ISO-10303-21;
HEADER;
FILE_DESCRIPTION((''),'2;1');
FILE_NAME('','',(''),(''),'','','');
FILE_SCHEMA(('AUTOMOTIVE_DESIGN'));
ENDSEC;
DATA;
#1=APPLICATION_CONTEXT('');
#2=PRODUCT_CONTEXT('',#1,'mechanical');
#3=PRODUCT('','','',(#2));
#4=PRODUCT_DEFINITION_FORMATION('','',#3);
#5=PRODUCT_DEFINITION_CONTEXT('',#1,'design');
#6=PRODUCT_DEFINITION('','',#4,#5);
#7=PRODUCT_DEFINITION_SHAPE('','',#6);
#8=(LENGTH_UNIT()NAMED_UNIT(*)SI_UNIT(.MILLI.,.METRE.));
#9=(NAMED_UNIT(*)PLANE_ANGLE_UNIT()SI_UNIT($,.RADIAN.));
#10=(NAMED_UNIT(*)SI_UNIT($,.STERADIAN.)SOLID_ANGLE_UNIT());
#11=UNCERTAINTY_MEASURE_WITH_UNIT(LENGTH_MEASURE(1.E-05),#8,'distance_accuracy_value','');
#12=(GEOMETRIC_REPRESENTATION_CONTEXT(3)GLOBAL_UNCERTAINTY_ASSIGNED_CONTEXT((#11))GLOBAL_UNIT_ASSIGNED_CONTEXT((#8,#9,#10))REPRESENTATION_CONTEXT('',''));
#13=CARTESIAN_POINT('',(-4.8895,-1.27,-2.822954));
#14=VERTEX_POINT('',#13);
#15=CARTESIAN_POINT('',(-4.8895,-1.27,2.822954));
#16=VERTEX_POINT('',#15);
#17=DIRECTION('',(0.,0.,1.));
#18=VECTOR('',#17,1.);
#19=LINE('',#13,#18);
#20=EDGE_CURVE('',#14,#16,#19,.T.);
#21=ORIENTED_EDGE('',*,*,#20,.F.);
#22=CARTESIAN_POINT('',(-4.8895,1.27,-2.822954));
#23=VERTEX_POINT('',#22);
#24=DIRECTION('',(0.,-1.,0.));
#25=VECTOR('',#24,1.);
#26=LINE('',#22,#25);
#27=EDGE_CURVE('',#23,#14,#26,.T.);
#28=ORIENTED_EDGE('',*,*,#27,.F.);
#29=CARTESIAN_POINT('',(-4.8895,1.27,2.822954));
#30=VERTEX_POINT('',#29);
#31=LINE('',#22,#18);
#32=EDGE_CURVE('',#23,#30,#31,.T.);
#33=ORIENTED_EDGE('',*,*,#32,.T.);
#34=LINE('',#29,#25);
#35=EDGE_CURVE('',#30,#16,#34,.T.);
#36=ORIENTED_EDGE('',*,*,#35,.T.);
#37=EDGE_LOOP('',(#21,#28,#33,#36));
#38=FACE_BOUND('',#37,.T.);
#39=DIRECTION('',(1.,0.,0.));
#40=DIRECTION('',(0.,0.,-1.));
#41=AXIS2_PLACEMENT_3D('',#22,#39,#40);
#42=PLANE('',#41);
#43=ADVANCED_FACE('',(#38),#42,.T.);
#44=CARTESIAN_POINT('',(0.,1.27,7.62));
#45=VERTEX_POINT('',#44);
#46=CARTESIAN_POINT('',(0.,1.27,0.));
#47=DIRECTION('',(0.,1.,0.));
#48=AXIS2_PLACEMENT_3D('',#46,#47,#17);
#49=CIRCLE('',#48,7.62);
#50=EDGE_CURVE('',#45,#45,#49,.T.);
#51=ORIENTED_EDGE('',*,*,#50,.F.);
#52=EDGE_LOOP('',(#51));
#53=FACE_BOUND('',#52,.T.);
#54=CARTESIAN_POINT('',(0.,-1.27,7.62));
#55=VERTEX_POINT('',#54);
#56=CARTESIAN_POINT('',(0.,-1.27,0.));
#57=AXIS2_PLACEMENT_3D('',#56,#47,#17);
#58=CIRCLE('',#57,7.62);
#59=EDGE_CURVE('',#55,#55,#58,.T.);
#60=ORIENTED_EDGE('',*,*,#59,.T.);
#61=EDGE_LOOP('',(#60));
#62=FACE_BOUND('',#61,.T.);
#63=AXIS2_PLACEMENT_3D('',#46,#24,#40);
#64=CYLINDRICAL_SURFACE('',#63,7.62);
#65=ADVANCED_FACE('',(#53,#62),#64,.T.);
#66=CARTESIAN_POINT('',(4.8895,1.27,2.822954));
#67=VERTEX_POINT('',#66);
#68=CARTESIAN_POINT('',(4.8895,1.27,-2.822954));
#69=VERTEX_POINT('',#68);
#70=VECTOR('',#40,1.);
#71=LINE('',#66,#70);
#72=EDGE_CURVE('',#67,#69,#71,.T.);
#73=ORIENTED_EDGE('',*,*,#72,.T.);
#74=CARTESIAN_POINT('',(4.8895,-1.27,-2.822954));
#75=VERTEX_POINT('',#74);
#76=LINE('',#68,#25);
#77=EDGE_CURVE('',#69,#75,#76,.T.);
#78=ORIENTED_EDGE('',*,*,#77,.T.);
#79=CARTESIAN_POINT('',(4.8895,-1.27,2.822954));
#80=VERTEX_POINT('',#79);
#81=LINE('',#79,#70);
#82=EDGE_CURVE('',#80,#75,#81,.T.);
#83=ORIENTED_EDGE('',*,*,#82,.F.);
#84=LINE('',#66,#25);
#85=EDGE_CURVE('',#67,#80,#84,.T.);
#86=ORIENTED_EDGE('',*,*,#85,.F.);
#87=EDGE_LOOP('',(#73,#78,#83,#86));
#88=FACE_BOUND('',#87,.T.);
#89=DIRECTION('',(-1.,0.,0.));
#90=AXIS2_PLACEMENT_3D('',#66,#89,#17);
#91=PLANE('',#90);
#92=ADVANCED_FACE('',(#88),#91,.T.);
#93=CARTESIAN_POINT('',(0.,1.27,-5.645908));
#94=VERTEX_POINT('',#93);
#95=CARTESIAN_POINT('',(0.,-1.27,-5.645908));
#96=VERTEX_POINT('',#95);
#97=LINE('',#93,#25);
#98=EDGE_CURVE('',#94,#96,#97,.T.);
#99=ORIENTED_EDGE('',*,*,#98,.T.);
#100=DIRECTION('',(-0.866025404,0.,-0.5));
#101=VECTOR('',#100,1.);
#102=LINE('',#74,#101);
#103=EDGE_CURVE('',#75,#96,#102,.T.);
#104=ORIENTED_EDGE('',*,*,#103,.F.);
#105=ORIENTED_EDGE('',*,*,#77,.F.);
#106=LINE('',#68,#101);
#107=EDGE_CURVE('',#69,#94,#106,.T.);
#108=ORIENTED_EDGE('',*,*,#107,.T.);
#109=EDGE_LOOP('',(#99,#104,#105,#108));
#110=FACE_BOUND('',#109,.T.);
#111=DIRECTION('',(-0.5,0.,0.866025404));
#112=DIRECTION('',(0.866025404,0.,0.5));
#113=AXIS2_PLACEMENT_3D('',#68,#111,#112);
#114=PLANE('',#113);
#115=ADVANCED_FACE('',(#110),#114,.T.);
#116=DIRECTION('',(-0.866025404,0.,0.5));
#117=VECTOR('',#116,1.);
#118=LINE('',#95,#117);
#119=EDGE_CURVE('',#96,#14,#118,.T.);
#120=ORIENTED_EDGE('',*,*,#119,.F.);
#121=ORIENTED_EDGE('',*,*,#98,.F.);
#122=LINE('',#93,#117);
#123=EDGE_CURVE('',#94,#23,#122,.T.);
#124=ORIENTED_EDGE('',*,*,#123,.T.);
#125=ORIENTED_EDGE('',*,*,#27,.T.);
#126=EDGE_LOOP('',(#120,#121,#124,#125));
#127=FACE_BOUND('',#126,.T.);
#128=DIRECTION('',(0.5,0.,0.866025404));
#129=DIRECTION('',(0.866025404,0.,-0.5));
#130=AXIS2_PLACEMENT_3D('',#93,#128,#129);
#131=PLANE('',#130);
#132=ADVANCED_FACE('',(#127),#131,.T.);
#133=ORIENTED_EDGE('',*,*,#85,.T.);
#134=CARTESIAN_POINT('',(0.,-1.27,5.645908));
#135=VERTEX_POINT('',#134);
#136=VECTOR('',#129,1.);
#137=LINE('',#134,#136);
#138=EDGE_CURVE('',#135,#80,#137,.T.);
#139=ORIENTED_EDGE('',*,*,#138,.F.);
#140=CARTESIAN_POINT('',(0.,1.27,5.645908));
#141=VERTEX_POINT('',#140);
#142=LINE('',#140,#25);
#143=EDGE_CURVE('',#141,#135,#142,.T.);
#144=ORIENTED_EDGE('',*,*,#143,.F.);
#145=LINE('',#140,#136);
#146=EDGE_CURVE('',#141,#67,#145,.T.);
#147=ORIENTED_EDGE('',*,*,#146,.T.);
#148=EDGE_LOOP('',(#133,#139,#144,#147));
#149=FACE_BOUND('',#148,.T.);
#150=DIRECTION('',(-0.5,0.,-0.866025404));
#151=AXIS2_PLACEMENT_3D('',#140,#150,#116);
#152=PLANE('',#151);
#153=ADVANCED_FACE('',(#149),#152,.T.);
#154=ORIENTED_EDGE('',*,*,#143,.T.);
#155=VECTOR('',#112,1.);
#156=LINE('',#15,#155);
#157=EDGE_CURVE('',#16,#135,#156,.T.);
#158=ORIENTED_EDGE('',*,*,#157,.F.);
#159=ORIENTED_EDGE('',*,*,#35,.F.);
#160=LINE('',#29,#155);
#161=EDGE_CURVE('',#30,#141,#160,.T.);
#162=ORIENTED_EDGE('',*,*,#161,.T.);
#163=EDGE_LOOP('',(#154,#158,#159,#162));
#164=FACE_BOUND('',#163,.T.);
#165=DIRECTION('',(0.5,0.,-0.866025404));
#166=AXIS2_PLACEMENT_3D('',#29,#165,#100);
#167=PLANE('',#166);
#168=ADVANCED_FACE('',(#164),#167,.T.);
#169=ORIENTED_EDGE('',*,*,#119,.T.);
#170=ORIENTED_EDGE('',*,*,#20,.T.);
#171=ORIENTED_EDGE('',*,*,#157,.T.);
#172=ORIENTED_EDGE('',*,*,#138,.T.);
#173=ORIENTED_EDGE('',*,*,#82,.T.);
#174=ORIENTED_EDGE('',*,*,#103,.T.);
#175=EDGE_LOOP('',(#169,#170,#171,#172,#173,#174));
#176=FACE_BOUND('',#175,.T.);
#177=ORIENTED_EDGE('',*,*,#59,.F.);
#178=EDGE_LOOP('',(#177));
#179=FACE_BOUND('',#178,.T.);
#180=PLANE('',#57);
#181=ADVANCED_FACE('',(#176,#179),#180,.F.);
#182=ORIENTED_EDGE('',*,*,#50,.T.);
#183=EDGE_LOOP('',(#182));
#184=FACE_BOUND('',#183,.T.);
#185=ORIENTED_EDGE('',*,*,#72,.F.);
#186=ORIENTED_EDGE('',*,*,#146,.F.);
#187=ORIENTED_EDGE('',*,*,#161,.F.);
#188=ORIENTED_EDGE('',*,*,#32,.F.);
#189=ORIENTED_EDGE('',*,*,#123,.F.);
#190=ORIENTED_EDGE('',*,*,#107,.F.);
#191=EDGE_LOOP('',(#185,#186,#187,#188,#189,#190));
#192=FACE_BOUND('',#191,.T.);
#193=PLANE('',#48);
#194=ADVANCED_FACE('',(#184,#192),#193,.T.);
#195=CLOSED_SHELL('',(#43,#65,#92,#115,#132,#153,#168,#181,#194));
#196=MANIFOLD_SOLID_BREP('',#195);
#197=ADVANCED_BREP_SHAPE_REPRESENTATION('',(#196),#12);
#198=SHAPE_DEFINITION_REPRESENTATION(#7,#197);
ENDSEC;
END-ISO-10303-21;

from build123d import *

# Parameters (mm, degrees)
SKETCH1_R           = 7.62
BOSS_EXTRUDE1_DEPTH = 1.27


with BuildPart() as part:
    # Sketch1 → Boss-Extrude1 (new body, symmetric)
    with BuildSketch(Plane(origin=(0, 0, 0), x_dir=(1, 0, 0), z_dir=(0, 1, 0))):
        Circle(SKETCH1_R)
        Polygon((4.8895, -2.822954141), (4.8895, 2.822954141), (0, 5.645908282), (-4.8895, 2.822954141), (-4.8895, -2.822954141), (0, -5.645908282), align=None, mode=Mode.SUBTRACT)
    extrude(amount=BOSS_EXTRUDE1_DEPTH, both=True)


solid = part.part
